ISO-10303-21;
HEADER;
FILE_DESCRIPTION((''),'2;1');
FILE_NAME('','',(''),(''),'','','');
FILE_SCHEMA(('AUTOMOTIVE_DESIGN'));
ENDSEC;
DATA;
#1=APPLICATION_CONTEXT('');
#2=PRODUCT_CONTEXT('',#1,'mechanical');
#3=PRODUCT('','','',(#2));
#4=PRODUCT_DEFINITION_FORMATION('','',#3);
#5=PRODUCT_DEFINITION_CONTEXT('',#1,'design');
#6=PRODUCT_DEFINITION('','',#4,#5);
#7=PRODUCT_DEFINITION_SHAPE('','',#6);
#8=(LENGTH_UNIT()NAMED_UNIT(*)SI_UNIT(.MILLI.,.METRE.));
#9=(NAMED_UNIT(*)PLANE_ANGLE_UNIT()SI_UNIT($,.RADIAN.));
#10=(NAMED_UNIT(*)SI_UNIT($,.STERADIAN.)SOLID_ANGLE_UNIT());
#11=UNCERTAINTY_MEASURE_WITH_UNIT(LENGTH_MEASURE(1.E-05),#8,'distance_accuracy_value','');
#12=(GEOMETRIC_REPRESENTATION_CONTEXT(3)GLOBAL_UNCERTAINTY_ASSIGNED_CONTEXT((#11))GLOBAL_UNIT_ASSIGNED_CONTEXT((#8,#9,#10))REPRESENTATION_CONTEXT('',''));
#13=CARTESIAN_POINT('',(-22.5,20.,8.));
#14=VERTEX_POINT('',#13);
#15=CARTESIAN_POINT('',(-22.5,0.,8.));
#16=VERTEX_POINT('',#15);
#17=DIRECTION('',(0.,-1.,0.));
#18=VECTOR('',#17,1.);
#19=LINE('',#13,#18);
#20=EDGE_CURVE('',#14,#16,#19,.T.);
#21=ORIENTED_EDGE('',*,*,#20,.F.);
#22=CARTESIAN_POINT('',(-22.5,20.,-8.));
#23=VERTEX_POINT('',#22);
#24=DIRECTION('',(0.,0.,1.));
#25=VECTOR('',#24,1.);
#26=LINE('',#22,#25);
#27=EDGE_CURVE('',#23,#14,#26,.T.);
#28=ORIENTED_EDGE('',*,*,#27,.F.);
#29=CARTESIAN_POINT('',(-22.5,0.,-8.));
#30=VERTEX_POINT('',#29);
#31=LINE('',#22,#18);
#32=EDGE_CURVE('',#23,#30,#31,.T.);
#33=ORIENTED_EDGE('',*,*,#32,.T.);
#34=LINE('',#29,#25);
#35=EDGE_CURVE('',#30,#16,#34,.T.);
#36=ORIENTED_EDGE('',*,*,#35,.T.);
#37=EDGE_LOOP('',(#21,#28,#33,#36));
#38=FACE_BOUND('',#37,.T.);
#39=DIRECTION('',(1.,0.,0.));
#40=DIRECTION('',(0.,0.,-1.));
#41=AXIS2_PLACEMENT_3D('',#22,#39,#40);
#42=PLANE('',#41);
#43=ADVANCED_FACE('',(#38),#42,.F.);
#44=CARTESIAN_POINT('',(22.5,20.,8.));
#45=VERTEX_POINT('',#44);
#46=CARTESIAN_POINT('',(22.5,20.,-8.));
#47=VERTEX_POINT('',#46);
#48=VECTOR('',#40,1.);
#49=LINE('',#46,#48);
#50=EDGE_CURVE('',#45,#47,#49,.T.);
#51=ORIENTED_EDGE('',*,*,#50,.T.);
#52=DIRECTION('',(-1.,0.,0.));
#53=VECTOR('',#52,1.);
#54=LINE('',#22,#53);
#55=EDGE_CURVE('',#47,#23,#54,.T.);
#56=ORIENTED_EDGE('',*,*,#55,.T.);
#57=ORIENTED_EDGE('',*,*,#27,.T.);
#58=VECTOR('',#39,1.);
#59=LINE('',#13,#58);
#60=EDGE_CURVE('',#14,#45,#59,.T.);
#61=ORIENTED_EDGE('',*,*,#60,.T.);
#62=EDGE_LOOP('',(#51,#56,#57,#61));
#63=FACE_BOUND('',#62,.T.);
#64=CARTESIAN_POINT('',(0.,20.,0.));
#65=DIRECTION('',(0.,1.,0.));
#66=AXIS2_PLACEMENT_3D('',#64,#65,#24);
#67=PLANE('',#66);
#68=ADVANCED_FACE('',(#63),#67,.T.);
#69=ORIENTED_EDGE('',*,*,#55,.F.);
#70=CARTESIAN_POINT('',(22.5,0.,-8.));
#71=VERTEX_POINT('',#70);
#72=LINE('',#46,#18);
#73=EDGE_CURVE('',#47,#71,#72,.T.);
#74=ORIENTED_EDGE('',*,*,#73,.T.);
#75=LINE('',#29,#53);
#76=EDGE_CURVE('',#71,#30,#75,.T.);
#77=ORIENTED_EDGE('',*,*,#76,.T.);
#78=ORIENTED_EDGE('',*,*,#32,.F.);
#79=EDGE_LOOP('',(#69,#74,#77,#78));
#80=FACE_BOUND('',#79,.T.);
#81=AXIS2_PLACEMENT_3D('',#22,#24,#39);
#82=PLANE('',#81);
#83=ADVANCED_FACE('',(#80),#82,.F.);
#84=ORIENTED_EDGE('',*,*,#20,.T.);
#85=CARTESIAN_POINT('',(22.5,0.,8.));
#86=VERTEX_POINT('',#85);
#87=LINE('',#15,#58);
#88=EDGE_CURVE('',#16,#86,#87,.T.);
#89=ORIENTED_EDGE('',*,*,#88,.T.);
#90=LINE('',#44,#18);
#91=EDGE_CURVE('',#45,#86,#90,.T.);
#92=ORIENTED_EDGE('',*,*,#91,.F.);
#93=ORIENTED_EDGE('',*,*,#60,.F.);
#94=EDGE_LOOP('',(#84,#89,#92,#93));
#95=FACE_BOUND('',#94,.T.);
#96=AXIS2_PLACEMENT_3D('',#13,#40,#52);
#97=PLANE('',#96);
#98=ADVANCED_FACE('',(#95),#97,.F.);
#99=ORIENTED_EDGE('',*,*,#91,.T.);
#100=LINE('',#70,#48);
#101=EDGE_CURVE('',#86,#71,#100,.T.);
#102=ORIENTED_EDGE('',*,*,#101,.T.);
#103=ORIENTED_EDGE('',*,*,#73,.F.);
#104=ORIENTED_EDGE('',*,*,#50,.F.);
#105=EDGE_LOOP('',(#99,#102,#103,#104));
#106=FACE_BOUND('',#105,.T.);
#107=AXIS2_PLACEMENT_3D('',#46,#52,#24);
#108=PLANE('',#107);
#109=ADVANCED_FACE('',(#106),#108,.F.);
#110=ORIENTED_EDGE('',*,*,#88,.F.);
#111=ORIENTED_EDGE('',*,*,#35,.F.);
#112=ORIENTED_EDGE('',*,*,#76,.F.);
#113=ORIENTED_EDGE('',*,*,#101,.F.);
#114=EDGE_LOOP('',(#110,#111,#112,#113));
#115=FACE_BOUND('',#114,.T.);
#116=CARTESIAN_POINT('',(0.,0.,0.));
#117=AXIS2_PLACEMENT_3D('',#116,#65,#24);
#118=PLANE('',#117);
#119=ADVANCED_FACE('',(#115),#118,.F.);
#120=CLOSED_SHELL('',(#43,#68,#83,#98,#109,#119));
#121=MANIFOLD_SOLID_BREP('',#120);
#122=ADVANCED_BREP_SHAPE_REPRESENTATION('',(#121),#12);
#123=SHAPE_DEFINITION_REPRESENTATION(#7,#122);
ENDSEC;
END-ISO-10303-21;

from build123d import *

# Parameters (mm, degrees)
SKETCH_1_W      = 45
SKETCH_1_H      = 16
EXTRUDE_1_DEPTH = 20


with BuildPart() as part:
    # 草图1 → 凸台-拉伸1 (new body)
    with BuildSketch(Plane(origin=(0, 0, 0), x_dir=(1, 0, 0), z_dir=(0, 1, 0))):
        Rectangle(SKETCH_1_W, SKETCH_1_H)
    extrude(amount=EXTRUDE_1_DEPTH)


solid = part.part
